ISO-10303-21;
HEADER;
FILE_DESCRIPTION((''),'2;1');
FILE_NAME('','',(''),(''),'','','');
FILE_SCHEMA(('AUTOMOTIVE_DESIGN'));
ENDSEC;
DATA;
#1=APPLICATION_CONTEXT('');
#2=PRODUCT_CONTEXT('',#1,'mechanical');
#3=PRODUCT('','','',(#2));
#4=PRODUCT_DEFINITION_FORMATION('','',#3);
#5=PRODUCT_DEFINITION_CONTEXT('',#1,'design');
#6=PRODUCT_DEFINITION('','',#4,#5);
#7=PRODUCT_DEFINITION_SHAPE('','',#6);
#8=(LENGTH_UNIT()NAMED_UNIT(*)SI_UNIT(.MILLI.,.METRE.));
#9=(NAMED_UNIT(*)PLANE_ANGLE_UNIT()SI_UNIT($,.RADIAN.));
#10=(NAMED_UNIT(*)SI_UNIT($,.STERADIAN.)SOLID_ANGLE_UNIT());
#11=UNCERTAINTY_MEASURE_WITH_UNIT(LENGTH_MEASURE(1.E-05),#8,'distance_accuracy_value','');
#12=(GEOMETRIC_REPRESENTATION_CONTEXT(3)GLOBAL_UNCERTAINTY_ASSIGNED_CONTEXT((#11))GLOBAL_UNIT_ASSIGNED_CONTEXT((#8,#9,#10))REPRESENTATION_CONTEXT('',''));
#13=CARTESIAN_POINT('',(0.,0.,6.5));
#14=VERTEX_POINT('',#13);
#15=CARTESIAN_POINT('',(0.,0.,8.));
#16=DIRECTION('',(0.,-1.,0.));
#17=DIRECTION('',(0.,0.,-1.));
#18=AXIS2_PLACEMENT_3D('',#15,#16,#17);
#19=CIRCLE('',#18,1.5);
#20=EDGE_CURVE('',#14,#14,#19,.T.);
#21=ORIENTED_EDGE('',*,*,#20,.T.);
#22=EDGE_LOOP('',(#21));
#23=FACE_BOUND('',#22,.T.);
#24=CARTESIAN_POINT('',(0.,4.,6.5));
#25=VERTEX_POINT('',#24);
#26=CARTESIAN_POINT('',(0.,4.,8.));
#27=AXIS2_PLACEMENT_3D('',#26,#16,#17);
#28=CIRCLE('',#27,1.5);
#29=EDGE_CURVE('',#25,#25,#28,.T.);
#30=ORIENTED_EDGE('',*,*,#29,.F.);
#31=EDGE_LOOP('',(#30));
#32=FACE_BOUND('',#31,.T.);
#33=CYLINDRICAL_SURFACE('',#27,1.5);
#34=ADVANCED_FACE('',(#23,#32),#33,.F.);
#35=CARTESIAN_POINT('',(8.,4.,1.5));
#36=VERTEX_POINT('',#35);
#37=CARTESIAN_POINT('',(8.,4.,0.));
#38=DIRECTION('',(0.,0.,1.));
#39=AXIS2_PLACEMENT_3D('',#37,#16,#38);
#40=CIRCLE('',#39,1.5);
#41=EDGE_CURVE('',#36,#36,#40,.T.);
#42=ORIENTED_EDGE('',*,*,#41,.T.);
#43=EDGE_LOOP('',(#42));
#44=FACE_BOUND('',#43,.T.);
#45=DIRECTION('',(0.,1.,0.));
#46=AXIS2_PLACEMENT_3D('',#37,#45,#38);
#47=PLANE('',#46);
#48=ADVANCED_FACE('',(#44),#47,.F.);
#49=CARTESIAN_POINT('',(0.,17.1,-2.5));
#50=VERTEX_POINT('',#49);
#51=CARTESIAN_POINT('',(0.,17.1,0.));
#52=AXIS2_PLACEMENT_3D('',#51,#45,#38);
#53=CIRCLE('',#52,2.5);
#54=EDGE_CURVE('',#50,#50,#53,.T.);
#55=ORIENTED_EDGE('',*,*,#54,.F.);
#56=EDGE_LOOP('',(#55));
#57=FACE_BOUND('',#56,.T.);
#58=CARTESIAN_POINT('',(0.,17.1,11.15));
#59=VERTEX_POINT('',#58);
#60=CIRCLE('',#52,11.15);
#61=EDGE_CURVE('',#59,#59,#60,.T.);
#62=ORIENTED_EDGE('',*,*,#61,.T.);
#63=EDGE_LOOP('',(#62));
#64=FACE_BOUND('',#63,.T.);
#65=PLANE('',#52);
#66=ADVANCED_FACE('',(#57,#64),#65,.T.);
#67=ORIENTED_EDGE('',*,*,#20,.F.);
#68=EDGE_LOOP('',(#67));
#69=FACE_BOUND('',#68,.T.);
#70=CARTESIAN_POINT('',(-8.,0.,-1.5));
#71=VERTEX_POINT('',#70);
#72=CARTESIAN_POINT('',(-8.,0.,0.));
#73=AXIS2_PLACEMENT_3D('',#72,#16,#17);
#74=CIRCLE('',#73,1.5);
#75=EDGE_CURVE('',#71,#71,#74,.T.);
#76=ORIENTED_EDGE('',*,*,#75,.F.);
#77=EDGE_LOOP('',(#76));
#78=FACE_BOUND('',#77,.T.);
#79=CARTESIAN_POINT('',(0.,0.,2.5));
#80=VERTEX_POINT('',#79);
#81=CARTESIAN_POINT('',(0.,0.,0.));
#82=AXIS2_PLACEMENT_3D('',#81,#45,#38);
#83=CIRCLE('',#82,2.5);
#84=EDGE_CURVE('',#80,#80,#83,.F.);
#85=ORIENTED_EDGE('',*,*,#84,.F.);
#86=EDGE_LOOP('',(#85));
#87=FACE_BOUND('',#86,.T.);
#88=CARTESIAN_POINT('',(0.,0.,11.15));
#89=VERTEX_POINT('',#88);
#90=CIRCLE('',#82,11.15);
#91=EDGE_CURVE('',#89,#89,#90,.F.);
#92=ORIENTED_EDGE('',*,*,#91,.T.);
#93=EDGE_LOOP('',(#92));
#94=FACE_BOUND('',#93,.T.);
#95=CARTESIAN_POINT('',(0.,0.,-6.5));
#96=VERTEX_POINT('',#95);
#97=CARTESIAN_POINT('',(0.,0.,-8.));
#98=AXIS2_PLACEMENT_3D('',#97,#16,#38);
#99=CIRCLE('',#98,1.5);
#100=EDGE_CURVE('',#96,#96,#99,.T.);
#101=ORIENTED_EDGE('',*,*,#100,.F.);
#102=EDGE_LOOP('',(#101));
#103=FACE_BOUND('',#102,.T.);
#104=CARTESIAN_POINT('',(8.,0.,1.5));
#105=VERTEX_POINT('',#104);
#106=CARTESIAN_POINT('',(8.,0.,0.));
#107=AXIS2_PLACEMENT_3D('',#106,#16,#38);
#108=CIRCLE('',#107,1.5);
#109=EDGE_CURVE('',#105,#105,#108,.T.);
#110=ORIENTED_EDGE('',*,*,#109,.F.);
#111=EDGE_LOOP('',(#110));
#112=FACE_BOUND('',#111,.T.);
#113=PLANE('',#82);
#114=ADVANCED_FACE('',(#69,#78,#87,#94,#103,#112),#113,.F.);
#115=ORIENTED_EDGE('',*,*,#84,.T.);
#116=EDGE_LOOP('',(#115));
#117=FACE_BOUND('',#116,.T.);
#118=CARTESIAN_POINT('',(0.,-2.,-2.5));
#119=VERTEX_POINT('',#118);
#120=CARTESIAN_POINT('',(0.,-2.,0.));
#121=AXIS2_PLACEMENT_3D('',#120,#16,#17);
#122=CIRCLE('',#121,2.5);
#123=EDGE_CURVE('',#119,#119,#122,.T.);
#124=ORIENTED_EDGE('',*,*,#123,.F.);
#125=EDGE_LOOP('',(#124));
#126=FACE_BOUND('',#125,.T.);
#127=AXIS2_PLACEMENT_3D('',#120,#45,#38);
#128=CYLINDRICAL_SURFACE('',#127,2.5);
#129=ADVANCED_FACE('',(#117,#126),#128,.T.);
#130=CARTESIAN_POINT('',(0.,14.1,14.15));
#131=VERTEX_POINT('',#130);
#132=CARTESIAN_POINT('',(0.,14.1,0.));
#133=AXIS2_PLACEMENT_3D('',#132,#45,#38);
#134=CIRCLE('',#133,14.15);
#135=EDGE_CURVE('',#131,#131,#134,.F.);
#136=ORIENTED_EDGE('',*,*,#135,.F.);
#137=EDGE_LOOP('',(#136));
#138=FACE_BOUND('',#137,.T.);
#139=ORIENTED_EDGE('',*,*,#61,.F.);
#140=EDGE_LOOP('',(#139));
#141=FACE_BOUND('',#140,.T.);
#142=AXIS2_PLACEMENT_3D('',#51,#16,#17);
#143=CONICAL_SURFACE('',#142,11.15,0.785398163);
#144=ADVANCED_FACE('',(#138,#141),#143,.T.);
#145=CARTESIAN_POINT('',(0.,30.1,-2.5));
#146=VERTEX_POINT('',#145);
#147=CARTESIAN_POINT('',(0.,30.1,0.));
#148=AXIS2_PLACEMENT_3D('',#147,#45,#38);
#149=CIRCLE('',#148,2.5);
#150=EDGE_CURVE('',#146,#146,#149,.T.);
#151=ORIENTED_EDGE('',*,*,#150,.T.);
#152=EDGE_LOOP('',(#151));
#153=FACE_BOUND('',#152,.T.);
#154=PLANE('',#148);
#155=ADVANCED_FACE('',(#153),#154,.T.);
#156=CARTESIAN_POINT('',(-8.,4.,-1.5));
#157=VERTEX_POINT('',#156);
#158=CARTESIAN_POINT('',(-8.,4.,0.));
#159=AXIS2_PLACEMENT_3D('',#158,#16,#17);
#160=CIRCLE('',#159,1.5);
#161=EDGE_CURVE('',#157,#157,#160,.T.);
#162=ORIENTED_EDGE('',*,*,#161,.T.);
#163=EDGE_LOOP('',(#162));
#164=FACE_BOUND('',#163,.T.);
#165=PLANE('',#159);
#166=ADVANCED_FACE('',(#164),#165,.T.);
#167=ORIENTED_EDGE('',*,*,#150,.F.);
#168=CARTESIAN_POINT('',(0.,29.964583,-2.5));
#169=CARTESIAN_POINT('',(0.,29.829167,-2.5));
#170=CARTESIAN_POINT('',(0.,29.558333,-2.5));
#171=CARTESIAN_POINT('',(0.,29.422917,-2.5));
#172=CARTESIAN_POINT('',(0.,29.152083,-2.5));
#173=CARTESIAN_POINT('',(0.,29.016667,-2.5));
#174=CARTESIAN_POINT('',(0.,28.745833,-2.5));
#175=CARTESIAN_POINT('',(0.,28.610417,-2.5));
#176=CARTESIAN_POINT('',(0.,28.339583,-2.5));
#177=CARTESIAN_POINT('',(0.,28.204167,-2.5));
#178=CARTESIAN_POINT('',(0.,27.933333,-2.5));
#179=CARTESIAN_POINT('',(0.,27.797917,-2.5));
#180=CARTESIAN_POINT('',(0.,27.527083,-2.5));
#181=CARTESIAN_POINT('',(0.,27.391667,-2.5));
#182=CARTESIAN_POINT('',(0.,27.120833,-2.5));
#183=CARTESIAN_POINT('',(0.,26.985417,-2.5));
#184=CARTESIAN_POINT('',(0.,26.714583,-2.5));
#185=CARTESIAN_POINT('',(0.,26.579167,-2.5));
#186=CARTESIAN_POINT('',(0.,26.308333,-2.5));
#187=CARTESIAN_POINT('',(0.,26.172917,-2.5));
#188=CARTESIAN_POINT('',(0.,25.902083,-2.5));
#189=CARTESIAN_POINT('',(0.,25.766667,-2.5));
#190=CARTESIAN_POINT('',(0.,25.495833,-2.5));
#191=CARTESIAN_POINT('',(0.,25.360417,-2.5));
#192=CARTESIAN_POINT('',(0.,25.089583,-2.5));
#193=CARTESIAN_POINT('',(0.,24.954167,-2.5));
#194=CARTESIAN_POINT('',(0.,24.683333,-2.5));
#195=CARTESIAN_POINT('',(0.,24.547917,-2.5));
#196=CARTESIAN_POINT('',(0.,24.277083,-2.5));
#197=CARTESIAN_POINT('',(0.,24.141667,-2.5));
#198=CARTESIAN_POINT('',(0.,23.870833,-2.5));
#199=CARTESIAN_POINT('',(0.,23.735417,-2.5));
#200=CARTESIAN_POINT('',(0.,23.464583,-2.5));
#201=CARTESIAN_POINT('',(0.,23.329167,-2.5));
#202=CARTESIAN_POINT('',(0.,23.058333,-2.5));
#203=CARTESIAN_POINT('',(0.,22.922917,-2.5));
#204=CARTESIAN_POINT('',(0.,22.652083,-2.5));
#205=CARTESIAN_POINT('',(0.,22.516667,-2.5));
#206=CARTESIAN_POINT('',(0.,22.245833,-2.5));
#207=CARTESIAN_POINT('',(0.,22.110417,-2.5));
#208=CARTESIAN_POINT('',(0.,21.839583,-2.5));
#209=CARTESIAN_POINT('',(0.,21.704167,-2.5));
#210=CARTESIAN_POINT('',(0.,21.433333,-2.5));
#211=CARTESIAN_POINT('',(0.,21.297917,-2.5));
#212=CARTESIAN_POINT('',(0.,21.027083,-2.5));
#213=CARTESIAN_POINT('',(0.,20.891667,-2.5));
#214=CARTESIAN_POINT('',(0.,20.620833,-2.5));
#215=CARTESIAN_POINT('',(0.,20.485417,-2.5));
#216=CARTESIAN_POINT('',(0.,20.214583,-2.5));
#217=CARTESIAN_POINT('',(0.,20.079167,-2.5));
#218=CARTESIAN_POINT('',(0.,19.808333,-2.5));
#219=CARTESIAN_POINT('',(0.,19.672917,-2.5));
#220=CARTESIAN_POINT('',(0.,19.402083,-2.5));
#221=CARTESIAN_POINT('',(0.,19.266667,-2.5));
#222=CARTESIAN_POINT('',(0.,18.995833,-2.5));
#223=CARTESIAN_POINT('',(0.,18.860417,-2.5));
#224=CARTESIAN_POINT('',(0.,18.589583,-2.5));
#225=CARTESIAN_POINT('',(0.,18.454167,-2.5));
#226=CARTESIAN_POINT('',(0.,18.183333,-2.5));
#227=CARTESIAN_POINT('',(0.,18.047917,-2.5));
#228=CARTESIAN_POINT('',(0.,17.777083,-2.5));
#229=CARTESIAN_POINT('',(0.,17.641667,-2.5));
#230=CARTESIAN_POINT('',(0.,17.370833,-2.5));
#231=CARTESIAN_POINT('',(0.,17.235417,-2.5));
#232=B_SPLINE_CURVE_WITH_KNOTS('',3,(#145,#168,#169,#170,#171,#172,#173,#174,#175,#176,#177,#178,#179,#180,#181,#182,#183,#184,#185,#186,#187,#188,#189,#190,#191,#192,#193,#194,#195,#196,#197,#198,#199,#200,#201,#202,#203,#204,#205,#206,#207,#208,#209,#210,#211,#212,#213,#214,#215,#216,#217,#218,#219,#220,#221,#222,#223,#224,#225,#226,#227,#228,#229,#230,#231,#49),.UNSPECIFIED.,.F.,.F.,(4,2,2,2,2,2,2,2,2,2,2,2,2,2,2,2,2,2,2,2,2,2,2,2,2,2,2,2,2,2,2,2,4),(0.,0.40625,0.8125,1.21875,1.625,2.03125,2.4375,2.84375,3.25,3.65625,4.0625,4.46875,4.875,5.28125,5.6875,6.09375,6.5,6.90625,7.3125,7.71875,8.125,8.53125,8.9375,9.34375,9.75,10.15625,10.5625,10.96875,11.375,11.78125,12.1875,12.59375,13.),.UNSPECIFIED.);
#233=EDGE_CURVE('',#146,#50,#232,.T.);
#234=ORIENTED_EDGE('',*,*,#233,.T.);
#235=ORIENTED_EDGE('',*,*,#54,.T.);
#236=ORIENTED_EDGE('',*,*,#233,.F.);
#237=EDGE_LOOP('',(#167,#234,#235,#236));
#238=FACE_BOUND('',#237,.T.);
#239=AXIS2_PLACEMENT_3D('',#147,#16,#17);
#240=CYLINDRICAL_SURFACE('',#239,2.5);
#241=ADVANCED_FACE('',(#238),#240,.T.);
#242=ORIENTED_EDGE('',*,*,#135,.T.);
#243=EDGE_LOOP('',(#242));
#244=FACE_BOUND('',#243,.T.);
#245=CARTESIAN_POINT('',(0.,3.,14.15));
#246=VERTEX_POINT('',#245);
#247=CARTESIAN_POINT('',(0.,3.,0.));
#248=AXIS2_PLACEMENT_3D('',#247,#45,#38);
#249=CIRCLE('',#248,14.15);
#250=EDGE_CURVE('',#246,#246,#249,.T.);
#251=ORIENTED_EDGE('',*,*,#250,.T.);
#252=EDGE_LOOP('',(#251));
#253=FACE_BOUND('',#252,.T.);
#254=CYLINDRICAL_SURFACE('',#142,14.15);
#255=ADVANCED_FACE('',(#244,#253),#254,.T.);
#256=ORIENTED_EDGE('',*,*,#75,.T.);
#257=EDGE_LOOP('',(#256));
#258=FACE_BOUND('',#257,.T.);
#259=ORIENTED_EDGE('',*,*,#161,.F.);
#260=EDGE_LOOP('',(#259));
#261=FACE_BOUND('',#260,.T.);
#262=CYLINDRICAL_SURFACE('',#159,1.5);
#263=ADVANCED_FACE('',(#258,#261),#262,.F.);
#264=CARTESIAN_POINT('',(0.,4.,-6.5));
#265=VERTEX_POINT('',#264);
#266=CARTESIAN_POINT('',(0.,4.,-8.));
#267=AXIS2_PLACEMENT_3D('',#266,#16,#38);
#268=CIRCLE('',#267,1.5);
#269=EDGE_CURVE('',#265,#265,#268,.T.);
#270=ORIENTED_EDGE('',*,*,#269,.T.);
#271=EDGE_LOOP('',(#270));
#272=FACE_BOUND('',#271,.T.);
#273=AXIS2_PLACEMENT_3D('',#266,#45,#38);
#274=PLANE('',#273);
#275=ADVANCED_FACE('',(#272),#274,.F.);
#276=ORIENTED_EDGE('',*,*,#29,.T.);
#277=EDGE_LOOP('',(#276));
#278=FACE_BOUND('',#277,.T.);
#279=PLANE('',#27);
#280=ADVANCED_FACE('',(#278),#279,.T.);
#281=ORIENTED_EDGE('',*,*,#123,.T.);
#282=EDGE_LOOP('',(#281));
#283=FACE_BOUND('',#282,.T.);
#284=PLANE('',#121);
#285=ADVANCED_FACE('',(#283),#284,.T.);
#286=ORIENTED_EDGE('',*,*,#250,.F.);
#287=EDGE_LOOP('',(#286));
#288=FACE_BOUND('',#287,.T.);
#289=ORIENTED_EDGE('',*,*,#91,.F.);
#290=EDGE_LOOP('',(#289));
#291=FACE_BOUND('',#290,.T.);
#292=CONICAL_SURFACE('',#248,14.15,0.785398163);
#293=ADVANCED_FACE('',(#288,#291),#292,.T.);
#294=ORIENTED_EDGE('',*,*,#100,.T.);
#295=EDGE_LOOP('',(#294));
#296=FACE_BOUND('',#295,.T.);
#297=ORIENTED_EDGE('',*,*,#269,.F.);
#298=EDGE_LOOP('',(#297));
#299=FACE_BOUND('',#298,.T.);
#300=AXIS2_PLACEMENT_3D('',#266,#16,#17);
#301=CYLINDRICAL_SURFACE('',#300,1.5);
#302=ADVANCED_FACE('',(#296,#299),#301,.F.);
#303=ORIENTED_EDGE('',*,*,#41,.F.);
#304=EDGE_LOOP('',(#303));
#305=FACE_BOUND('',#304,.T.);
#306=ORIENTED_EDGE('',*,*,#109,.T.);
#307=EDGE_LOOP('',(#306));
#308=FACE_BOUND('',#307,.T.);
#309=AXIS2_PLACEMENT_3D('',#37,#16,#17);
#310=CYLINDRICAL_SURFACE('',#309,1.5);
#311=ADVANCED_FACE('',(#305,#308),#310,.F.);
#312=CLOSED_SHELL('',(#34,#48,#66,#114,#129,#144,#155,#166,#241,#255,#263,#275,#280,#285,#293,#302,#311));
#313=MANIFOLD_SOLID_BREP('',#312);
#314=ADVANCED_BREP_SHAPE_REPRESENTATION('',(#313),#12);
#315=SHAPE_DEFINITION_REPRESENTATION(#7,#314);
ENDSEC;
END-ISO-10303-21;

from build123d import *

# Parameters (mm, degrees)
SKETCH_1_R          = 14.15
EXTRUDE_1_DEPTH     = 17.1
SKETCH_2_R          = 2.5
EXTRUDE_2_DEPTH     = 13
CHAMFER_1_SIZE      = 3
SKETCH_3_R          = 1.5
CUT_EXTRUDE_1_DEPTH = 4
EXTRUDE_START       = 2
SKETCH_4_R          = 2.5
EXTRUDE_3_DEPTH     = 2


with BuildPart() as part:
    # 草图1 → 凸台-拉伸1 (new body)
    with BuildSketch(Plane(origin=(0, 0, 0), x_dir=(1, 0, 0), z_dir=(0, 1, 0))):
        with Locations(Location((0, 0, 0), (0, 0, 270))):
            Circle(SKETCH_1_R)
    extrude(amount=EXTRUDE_1_DEPTH)

    # 草图2 → 凸台-拉伸2 (add)
    with BuildSketch(Plane(origin=(0, 17.1, 0), x_dir=(1, 0, 0), z_dir=(0, 1, 0))):
        with Locations(Location((0, 0, 0), (0, 0, 90))):
            Circle(SKETCH_2_R)
    extrude(amount=EXTRUDE_2_DEPTH)

    # 倒角1
    chamfer_1_edges = [part.edges().sort_by_distance(p)[0] for p in [
        (0, 0, -14.15),
        (0, 17.1, -14.15),
    ]]
    chamfer(chamfer_1_edges, length=CHAMFER_1_SIZE)

    # 草图3 → 切除-拉伸1 (cut)
    with BuildSketch(Plane.XZ):
        with Locations(Location((-8, 0, 0), (0, 0, 270))):
            Circle(SKETCH_3_R)
        with Locations(Location((0, 8, 0), (0, 0, 270))):
            Circle(SKETCH_3_R)
        with Locations(Location((8, 0, 0), (0, 0, 90))):
            Circle(SKETCH_3_R)
        with Locations(Location((0, -8, 0), (0, 0, 90))):
            Circle(SKETCH_3_R)
    extrude(amount=-CUT_EXTRUDE_1_DEPTH, mode=Mode.SUBTRACT)

    # 草图4 → 凸台-拉伸3 (add)
    with BuildSketch(Plane.XZ.offset(EXTRUDE_START)):
        with Locations(Location((0, 0, 0), (0, 0, 270))):
            Circle(SKETCH_4_R)
    extrude(amount=-EXTRUDE_3_DEPTH)


solid = part.part
